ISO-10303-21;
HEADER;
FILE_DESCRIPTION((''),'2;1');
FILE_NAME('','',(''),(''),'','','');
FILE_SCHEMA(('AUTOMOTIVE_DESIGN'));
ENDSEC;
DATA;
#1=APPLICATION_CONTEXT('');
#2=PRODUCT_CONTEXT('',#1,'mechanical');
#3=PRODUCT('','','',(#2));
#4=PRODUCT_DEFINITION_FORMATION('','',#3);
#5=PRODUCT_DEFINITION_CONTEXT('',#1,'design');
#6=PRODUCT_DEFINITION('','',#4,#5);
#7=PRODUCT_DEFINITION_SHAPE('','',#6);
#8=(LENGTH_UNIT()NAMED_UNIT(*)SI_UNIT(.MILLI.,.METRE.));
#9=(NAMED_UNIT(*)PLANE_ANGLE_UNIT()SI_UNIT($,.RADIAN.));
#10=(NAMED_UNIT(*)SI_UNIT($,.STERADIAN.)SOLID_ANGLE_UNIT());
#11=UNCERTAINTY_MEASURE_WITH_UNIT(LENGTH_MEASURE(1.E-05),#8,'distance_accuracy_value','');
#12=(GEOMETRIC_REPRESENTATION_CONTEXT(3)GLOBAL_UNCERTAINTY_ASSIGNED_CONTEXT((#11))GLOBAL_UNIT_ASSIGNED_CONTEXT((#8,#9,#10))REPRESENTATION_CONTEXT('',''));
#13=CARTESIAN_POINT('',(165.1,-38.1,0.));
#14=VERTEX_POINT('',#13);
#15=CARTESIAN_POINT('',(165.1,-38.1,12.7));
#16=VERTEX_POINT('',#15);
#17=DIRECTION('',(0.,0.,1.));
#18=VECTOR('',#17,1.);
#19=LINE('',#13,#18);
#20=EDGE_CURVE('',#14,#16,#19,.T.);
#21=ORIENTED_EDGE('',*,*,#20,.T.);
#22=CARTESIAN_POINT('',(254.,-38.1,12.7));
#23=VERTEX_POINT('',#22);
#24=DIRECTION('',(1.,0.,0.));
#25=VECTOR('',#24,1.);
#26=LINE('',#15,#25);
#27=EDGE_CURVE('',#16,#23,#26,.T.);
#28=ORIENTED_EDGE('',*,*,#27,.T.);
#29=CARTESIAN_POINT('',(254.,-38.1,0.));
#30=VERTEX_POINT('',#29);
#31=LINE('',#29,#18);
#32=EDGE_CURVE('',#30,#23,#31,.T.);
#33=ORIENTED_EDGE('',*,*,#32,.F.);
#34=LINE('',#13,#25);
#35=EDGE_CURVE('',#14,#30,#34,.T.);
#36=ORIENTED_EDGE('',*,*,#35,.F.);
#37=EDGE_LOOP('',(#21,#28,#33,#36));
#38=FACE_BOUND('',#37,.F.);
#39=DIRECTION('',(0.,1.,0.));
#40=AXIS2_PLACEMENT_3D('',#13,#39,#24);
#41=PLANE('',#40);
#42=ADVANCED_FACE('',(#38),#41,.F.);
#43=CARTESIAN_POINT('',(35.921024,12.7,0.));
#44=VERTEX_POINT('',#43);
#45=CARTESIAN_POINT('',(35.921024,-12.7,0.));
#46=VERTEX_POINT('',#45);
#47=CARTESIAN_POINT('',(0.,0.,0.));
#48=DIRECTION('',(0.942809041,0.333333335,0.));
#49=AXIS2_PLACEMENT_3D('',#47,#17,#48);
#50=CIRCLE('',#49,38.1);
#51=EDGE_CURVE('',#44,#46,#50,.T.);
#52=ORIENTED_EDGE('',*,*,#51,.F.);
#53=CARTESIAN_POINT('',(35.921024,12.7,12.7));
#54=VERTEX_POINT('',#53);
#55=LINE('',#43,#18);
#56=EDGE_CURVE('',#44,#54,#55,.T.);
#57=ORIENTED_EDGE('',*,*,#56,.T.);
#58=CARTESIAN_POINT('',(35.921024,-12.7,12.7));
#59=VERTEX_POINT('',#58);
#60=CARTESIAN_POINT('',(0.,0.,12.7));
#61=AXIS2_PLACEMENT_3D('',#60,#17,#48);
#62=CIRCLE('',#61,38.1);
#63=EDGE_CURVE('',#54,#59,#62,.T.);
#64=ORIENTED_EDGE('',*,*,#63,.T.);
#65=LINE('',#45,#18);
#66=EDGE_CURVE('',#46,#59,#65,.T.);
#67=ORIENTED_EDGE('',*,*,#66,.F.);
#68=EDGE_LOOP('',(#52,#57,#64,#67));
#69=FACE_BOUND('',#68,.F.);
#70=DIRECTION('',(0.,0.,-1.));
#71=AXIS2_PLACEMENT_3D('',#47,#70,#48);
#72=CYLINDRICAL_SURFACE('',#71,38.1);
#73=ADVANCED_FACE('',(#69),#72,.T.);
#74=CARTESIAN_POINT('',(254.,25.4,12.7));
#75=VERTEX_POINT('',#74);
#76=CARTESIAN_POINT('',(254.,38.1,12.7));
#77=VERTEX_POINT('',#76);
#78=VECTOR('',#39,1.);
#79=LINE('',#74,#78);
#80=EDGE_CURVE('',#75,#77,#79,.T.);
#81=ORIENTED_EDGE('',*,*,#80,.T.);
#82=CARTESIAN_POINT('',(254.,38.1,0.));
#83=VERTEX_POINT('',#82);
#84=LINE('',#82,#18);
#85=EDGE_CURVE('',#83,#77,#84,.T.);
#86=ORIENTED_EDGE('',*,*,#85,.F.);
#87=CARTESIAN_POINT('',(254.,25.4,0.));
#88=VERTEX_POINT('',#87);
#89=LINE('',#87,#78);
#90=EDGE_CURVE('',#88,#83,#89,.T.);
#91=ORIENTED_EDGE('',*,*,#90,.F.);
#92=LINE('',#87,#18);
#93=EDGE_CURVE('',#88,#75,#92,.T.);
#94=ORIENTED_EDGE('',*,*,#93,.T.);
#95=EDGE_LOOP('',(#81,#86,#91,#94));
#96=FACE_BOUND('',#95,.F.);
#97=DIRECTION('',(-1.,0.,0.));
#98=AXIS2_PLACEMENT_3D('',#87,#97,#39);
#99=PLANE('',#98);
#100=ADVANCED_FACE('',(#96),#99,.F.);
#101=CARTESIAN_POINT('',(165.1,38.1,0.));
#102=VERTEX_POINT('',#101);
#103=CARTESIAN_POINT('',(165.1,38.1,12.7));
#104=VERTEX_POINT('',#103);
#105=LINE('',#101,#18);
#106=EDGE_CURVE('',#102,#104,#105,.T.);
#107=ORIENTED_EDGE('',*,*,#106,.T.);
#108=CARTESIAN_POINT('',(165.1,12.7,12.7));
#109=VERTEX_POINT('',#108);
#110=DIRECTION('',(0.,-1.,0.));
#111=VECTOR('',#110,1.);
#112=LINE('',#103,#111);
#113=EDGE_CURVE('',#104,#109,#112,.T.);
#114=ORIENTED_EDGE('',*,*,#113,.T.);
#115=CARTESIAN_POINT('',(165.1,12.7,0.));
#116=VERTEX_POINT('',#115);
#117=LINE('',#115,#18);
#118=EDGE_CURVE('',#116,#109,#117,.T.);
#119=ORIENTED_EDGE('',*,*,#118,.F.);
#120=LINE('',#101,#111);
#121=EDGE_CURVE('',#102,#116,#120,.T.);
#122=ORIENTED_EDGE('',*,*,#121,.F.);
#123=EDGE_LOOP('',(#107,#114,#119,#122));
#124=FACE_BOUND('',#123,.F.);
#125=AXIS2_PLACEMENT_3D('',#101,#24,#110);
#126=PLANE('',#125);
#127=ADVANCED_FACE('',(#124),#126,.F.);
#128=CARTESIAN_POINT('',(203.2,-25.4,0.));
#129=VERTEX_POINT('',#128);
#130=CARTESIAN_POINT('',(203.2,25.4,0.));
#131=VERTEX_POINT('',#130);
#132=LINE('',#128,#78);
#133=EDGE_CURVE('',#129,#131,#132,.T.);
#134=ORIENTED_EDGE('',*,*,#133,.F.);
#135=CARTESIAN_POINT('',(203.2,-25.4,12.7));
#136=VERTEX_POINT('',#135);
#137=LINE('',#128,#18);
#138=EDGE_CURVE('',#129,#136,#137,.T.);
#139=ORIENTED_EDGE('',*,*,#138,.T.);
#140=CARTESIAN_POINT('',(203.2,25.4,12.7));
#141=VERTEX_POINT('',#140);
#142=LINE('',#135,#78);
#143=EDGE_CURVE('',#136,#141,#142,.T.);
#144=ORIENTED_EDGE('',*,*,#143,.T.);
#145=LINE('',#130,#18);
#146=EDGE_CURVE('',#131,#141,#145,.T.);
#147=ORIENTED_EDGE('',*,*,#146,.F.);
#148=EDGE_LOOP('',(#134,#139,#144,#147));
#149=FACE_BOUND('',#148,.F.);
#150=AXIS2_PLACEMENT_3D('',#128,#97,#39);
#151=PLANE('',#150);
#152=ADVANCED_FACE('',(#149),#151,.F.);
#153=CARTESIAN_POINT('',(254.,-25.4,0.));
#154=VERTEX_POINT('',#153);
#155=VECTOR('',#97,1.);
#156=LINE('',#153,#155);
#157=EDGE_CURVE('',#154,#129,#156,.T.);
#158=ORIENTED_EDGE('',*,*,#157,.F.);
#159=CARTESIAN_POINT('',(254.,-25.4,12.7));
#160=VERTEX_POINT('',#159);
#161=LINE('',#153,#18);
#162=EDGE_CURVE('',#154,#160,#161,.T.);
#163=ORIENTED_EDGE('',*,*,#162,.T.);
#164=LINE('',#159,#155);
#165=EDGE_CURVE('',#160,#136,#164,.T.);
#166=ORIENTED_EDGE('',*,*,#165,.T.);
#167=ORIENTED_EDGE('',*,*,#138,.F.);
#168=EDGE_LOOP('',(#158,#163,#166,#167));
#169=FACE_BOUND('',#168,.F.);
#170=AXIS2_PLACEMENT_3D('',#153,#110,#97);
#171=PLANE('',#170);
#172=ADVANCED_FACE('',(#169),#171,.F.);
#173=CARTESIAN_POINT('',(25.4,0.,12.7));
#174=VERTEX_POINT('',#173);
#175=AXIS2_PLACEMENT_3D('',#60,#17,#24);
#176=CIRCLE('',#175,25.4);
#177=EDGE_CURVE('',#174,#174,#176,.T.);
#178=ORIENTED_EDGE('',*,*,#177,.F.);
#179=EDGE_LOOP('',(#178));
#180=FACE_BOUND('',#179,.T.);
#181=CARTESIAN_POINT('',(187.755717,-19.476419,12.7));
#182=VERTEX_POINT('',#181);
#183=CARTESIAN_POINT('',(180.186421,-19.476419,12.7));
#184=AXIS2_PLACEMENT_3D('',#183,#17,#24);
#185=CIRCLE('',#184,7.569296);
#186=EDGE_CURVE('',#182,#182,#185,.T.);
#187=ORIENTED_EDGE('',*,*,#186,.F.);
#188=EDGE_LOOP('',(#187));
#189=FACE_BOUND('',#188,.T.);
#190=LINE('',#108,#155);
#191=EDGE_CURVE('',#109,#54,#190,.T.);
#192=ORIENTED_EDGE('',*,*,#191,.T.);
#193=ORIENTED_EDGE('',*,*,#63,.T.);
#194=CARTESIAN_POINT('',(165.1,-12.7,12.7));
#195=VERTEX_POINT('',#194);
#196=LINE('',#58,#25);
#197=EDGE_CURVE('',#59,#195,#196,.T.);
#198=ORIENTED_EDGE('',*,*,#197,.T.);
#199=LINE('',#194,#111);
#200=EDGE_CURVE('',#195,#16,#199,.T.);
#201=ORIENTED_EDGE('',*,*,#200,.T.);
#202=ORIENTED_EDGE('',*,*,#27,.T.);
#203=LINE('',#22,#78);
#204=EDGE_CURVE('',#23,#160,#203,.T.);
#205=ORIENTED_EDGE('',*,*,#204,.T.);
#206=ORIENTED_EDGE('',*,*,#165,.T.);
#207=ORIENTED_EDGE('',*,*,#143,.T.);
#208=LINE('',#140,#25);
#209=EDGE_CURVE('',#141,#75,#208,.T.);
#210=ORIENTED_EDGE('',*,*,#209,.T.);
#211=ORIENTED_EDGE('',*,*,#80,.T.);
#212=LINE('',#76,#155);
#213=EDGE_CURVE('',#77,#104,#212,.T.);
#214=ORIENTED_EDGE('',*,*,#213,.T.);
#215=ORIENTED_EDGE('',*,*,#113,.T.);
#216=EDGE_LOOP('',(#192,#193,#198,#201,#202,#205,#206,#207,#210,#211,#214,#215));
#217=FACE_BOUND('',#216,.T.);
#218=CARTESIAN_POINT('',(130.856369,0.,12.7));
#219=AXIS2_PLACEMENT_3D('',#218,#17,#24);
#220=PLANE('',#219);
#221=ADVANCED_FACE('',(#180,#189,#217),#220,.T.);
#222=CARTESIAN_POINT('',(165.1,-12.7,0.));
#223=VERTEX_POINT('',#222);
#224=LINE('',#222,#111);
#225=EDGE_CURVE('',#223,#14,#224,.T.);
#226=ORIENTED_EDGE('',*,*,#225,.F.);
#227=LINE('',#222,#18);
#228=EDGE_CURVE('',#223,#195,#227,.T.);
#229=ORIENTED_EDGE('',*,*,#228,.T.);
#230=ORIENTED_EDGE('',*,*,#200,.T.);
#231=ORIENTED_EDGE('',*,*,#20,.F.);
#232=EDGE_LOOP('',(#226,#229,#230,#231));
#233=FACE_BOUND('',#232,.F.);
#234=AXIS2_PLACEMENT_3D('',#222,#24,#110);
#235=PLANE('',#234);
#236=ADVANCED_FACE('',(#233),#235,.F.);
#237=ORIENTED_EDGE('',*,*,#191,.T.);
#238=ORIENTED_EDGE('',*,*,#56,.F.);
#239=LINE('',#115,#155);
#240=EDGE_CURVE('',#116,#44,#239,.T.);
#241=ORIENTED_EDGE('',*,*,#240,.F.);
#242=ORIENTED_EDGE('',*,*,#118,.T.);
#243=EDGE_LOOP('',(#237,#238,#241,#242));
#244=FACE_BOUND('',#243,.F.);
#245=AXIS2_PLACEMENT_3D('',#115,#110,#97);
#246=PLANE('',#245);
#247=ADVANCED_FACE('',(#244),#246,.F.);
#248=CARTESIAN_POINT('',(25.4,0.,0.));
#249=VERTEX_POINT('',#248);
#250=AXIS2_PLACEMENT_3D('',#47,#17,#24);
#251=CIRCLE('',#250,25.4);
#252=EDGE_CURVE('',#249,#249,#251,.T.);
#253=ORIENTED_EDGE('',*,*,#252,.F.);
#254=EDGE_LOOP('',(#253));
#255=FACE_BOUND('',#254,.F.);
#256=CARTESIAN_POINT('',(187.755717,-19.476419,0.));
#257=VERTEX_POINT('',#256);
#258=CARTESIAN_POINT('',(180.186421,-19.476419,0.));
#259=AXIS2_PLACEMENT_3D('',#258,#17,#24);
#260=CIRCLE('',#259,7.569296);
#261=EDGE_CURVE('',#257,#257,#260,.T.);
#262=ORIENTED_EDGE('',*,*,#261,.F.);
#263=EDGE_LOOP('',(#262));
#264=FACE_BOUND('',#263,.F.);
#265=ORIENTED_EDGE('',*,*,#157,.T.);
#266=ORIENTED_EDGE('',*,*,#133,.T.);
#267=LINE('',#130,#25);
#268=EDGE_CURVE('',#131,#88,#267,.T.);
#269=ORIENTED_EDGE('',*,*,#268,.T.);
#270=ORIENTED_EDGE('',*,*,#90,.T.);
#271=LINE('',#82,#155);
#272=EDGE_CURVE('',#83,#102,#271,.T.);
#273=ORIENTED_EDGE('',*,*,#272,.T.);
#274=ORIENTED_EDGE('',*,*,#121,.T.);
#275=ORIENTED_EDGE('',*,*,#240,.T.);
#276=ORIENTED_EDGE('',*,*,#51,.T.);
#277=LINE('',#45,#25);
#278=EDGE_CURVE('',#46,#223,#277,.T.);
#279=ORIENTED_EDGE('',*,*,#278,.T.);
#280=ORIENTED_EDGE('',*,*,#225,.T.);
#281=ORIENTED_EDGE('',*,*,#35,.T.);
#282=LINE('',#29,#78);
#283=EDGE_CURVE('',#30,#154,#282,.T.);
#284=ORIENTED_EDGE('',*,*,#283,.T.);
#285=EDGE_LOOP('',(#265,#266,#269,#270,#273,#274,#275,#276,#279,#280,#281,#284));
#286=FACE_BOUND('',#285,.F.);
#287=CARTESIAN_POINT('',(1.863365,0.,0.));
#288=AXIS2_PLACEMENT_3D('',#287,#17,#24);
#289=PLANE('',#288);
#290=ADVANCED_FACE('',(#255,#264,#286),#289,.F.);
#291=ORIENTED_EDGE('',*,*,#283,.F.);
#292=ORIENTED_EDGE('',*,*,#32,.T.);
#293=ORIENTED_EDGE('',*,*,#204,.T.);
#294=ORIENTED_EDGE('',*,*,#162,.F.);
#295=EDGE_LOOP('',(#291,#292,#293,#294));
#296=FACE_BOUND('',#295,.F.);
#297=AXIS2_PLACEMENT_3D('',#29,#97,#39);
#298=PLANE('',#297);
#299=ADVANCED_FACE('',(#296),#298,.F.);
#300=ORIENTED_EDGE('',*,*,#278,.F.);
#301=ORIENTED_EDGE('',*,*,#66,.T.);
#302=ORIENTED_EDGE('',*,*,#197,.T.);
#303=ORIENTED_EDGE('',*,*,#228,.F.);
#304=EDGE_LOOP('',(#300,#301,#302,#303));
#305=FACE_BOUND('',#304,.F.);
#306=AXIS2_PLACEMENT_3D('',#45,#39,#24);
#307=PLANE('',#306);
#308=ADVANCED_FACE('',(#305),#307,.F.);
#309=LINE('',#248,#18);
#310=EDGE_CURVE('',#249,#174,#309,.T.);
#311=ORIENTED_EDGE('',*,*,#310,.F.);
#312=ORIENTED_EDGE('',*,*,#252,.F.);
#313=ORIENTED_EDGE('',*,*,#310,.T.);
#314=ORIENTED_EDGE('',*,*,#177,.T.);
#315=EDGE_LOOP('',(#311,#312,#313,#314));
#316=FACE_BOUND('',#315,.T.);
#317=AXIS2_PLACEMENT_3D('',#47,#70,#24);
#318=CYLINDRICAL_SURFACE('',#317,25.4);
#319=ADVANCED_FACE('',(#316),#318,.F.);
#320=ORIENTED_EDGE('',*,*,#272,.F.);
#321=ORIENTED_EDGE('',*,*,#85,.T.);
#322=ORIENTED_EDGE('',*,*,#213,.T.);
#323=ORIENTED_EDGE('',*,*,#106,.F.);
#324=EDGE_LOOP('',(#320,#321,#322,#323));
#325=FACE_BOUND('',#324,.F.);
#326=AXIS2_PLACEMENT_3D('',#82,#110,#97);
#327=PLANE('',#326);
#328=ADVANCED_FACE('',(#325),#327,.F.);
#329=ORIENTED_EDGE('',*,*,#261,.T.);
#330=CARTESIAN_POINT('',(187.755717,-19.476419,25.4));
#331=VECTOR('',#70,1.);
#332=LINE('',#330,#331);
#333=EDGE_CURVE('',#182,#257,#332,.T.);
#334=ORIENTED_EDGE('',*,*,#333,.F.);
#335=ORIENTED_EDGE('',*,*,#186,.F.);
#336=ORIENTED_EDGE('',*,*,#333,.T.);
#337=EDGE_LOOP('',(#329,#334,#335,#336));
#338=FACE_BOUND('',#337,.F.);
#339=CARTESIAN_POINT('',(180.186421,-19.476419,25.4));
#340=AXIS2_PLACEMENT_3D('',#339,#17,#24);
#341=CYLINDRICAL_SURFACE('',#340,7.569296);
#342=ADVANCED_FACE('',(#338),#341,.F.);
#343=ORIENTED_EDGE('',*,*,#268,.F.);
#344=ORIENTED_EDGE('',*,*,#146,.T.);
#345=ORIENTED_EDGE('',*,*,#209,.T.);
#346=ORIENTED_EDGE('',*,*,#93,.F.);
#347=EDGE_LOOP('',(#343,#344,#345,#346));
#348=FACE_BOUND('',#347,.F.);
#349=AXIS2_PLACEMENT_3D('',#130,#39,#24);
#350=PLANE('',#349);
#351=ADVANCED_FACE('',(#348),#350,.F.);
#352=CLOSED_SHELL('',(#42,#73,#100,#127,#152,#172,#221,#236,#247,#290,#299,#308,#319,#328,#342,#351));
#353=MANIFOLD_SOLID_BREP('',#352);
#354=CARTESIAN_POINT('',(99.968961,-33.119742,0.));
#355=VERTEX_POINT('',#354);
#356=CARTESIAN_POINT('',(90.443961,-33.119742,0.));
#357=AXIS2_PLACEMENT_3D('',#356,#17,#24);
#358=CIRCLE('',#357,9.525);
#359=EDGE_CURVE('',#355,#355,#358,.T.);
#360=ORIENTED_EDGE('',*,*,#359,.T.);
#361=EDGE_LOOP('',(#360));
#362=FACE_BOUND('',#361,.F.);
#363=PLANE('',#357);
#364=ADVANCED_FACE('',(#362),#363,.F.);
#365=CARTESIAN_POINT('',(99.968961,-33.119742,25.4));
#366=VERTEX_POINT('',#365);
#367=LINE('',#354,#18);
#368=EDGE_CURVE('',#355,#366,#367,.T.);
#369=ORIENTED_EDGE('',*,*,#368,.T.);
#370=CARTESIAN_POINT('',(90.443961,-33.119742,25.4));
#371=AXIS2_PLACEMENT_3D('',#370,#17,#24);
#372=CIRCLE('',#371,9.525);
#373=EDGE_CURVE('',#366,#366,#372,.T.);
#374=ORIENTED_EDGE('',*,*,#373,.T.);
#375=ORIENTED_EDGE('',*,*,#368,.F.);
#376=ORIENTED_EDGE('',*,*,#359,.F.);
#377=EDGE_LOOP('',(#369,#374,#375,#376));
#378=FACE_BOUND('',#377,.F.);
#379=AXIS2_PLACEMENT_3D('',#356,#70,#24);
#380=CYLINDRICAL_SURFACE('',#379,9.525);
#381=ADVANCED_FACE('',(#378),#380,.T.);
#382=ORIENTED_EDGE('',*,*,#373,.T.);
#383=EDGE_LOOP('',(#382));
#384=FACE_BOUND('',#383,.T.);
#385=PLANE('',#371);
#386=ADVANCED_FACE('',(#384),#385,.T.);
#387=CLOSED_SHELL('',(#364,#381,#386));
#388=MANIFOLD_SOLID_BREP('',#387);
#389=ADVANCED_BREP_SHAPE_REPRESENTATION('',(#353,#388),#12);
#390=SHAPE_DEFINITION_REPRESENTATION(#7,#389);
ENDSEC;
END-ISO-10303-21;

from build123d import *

# Parameters (mm, degrees)
F0_R        = 25.4
F0_R_2      = 9.525
F1_DEPTH    = 25.4
F2_R        = 7.569296
F3_DEPTH    = 25.4
F1_FACE_R   = 7.569296
F1_FACE_R_2 = 25.4
F4_DEPTH    = 12.7


with BuildPart() as f1:
    # F0 (on Top) → F1 (new body)
    with BuildSketch(Plane.XY):
        with BuildLine():
            ThreePointArc((35.921024, -12.7), (37.551305, -6.442785), (38.1, 0))
            ThreePointArc((38.1, 0), (37.551305, 6.442785), (35.921024, 12.7))
            ThreePointArc((35.921024, 12.7), (-38.1, 0), (35.921024, -12.7))
        make_face()
        Circle(F0_R, mode=Mode.SUBTRACT)
        with BuildLine():
            ThreePointArc((35.921024, 12.7), (37.551305, 6.442785), (38.1, 0))
            ThreePointArc((38.1, 0), (37.551305, -6.442785), (35.921024, -12.7))
            Line((35.921024, -12.7), (165.1, -12.7))
            Line((165.1, -12.7), (165.1, -38.1))
            Line((165.1, -38.1), (254, -38.1))
            Line((254, -38.1), (254, -25.4))
            Line((254, -25.4), (203.2, -25.4))
            Line((203.2, -25.4), (203.2, 25.4))
            Line((203.2, 25.4), (254, 25.4))
            Line((254, 25.4), (254, 38.1))
            Line((254, 38.1), (165.1, 38.1))
            Line((165.1, 38.1), (165.1, 12.7))
            Line((165.1, 12.7), (35.921024, 12.7))
        make_face()
        with Locations((90.443961, -33.119742)):
            Circle(F0_R_2)
    extrude(amount=F1_DEPTH)

    # F2 (on face) → F3 (cut)
    with BuildSketch(Plane.XY.offset(25.4)):
        with Locations((180.186421, -19.476419)):
            Circle(F2_R)
    extrude(amount=-F3_DEPTH, mode=Mode.SUBTRACT)

    # F2 (on face) + F1_face (on face) → F4 (cut, symmetric)
    with BuildSketch(Plane.XY.offset(25.4)):
        with Locations((180.186421, 19.476419)):
            Circle(F2_R)
        with Locations((180.186421, -19.476419)):
            Circle(F2_R)
    with BuildSketch(Plane(origin=(116.137443, 0, 25.4), x_dir=(1, 0, 0), z_dir=(0, 0, 1))):
        with BuildLine():
            ThreePointArc((-80.216419, 12.7), (-154.237443, 0), (-80.216419, -12.7))
            Line((-80.216419, -12.7), (48.962557, -12.7))
            Line((48.962557, -12.7), (48.962557, -38.1))
            Line((48.962557, -38.1), (137.862557, -38.1))
            Line((137.862557, -38.1), (137.862557, -25.4))
            Line((137.862557, -25.4), (87.062557, -25.4))
            Line((87.062557, -25.4), (87.062557, 25.4))
            Line((87.062557, 25.4), (137.862557, 25.4))
            Line((137.862557, 25.4), (137.862557, 38.1))
            Line((137.862557, 38.1), (48.962557, 38.1))
            Line((48.962557, 38.1), (48.962557, 12.7))
            Line((48.962557, 12.7), (-80.216419, 12.7))
        make_face()
        with Locations((64.048978, -19.476419)):
            Circle(F1_FACE_R, mode=Mode.SUBTRACT)
        with Locations((-116.137443, 0)):
            Circle(F1_FACE_R_2, mode=Mode.SUBTRACT)
    extrude(amount=F4_DEPTH, both=True, mode=Mode.SUBTRACT)


solid = f1.part
